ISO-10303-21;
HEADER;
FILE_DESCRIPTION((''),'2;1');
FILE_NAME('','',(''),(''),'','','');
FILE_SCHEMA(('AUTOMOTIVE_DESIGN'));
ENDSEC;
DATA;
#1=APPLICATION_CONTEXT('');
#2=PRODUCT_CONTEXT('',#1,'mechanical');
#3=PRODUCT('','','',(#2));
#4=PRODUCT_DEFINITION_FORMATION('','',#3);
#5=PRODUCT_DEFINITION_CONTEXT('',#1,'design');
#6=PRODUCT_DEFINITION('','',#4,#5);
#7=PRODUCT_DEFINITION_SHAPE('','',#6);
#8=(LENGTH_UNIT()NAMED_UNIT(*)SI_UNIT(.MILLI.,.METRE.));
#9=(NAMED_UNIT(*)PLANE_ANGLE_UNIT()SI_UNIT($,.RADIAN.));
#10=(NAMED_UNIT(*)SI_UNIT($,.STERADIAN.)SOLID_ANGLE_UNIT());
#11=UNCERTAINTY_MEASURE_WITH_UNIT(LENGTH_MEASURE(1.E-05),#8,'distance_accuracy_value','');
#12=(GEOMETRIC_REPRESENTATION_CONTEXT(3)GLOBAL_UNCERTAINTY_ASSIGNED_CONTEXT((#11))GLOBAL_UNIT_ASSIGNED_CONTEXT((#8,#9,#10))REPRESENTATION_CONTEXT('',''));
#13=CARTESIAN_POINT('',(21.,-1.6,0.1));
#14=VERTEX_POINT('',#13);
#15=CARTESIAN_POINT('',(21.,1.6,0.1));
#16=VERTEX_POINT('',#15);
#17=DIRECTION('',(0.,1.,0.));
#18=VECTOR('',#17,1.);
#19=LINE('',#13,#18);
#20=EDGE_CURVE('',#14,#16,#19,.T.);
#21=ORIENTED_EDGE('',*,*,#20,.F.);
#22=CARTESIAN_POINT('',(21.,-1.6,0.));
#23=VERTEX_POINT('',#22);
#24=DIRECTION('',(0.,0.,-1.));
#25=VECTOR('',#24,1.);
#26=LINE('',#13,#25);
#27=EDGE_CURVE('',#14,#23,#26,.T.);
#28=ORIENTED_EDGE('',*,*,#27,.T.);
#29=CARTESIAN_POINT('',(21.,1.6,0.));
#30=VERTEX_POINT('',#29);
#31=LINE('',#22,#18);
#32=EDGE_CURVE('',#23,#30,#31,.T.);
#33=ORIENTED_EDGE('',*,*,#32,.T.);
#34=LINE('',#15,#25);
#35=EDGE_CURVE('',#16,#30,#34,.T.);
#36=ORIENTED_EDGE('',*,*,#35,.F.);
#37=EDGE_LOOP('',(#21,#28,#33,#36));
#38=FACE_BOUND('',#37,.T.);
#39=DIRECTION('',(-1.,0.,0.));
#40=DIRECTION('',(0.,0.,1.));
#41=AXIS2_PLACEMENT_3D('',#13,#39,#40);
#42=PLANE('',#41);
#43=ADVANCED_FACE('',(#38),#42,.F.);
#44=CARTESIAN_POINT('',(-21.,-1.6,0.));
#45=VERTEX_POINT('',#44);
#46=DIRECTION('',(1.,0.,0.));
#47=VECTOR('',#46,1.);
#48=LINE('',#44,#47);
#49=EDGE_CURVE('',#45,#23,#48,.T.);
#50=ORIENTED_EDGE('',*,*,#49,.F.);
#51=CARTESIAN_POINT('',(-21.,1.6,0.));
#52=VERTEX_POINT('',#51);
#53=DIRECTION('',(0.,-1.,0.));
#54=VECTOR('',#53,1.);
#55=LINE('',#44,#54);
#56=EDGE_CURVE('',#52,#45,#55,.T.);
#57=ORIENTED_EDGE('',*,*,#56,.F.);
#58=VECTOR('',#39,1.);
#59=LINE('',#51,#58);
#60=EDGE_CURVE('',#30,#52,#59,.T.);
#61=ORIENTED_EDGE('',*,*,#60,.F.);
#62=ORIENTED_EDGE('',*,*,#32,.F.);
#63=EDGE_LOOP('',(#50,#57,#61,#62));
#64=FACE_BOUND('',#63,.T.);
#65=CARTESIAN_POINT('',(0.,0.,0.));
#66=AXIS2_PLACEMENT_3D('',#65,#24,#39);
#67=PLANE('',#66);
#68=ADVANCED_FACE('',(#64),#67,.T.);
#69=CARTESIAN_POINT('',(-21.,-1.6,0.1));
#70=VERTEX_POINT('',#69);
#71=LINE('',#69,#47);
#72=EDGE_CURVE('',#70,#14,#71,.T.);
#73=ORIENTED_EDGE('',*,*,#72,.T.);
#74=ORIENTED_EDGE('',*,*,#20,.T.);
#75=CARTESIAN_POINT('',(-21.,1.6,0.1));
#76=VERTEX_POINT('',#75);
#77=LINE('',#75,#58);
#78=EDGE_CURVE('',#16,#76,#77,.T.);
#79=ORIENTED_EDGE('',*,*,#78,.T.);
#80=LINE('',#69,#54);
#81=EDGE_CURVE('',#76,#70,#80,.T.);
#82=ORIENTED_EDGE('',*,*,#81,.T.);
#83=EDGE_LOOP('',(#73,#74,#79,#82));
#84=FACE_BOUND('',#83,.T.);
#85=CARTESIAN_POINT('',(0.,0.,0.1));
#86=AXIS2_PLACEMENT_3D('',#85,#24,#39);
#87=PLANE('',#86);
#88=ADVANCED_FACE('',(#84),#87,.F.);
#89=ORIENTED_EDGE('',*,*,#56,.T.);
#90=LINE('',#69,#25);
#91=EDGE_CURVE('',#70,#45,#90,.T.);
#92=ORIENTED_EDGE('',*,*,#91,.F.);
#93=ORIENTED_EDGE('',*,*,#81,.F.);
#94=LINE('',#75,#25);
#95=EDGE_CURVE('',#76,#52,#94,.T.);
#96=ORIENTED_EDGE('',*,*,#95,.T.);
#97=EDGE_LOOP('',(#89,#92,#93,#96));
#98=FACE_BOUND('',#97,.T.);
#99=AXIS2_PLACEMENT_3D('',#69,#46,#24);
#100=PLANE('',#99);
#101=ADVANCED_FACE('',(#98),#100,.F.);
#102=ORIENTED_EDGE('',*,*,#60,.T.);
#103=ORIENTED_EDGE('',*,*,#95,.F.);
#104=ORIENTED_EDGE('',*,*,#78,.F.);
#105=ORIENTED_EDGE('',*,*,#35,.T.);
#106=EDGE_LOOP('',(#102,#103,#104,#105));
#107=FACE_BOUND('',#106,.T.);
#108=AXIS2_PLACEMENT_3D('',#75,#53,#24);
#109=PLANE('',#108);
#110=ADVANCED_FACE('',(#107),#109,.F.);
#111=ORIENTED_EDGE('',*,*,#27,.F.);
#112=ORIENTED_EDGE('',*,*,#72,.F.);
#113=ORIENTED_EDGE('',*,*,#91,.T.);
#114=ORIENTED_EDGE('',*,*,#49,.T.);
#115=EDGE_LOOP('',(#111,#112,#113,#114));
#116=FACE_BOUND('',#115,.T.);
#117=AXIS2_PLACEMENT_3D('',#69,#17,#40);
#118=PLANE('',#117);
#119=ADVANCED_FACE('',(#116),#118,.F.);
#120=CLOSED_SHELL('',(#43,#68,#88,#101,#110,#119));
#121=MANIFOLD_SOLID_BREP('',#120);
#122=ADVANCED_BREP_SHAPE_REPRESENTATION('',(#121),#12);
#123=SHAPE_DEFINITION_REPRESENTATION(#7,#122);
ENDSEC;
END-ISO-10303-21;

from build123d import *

# Parameters (mm, degrees)
SKETCH_1_W      = 42
SKETCH_1_H      = 3.2
EXTRUDE_1_DEPTH = 0.1


with BuildPart() as part:
    # 草图1 → 凸台-拉伸1 (new body)
    with BuildSketch(Plane.XY):
        Rectangle(SKETCH_1_W, SKETCH_1_H)
    extrude(amount=EXTRUDE_1_DEPTH)


solid = part.part
